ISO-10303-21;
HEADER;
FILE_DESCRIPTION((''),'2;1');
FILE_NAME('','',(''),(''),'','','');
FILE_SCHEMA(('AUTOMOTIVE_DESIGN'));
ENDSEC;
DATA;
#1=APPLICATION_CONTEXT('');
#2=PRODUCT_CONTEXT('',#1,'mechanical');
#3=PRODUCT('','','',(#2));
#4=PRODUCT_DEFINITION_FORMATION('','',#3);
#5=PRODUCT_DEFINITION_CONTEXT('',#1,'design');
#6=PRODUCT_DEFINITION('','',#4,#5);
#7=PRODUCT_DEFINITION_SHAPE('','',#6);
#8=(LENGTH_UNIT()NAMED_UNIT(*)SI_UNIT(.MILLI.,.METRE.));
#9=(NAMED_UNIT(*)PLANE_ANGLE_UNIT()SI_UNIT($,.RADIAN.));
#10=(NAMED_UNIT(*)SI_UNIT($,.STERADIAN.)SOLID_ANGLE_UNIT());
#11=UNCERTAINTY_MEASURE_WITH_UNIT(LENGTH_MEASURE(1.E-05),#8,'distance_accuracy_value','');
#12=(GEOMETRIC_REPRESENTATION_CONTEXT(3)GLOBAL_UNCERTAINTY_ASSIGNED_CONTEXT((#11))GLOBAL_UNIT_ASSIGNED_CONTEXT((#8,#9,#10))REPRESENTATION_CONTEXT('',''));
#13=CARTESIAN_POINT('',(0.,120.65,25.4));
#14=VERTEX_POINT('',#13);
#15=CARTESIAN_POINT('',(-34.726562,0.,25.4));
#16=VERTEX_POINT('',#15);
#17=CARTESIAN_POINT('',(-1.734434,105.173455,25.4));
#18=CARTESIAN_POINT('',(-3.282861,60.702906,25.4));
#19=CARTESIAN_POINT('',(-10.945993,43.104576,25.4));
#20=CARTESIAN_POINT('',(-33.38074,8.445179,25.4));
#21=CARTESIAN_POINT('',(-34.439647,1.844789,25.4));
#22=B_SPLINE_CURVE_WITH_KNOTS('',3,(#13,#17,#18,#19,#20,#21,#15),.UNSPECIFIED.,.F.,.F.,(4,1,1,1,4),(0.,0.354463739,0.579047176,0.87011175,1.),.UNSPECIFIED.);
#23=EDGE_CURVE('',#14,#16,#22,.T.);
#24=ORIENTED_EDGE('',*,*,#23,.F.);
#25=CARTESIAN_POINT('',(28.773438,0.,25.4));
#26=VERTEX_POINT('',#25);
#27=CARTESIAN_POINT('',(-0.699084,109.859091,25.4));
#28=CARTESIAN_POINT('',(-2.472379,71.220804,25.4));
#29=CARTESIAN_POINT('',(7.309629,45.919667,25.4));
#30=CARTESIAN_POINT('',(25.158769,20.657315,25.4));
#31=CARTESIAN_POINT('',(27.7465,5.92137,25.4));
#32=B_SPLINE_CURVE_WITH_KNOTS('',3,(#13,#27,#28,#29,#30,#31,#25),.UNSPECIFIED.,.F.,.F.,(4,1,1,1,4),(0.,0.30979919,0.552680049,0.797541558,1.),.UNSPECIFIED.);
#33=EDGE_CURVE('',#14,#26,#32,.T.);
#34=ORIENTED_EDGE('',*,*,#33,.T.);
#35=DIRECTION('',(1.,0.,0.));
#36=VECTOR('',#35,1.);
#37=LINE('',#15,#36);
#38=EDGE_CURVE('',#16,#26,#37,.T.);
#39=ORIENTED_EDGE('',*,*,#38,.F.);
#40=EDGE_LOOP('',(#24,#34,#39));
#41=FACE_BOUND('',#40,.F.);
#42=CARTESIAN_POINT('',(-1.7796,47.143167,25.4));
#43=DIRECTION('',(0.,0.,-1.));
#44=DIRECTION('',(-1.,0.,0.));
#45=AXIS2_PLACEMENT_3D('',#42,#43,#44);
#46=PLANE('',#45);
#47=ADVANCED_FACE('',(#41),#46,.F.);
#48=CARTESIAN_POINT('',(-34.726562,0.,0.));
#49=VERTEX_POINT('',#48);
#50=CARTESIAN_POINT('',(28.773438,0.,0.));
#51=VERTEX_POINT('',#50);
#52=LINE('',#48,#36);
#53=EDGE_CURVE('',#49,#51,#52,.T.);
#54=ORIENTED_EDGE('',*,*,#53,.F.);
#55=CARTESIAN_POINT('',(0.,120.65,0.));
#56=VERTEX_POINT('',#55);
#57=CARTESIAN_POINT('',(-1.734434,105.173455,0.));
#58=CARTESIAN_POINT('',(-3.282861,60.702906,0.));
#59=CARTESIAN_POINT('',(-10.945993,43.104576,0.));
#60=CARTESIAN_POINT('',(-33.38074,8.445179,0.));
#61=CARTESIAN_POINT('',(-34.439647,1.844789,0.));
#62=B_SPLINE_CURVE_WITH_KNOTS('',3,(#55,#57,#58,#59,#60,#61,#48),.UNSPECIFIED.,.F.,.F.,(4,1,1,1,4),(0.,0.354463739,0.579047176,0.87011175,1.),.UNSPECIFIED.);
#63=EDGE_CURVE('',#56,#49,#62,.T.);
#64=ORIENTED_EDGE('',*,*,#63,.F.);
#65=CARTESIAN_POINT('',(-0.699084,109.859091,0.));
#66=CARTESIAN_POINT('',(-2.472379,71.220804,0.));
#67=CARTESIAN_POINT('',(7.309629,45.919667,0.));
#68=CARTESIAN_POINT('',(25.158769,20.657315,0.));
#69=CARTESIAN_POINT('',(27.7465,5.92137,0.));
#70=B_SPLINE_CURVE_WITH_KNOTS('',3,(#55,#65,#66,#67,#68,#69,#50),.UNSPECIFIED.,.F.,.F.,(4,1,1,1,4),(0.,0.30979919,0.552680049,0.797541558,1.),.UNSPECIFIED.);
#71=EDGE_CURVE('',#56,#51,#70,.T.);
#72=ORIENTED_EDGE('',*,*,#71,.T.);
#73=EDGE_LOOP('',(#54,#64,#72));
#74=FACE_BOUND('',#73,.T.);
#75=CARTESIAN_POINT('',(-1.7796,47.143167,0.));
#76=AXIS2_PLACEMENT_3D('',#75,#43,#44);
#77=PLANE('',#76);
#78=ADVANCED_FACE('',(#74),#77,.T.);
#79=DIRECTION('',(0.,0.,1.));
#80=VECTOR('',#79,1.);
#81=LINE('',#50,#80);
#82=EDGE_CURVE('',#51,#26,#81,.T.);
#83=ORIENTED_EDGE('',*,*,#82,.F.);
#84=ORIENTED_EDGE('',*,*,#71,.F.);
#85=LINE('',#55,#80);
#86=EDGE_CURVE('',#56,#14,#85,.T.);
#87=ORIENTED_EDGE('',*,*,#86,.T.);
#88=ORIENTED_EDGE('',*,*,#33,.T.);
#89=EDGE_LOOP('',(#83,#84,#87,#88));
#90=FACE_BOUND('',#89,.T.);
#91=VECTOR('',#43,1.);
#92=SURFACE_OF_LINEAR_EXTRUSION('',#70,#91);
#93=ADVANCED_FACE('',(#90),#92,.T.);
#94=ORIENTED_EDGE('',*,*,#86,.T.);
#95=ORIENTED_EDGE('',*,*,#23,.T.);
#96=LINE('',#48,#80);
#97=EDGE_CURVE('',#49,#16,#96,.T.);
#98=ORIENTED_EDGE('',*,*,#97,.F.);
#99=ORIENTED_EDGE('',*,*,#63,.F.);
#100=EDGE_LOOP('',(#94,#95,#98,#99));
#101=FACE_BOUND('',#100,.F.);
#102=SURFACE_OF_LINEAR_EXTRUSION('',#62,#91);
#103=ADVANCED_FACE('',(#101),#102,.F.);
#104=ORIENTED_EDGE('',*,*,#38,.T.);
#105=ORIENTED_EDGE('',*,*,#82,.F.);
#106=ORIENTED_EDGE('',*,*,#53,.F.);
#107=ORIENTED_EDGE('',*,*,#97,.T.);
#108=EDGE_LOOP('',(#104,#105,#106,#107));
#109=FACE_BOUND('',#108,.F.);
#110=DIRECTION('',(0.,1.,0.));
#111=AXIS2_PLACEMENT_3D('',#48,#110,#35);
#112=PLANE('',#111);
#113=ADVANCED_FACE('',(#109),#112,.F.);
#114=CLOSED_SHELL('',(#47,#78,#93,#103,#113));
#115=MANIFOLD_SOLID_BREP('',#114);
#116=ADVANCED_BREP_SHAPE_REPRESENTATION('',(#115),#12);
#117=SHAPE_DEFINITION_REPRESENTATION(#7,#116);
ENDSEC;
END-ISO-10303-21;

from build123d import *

# Parameters (mm, degrees)
F1_DEPTH = 25.4


with BuildPart() as f1:
    # F0 (on Top) → F1 (new body)
    with BuildSketch(Plane.XY):
        with BuildLine():
            add(Edge.make_bspline(
                [(0, 120.65), (-0.6990841377, 109.859090752), (-2.4723789951, 71.2208044922), (7.3096290179, 45.9196668373), (25.15876895, 20.6573149279), (27.746499584, 5.9213700542), (28.773438115, 0)],
                knots=[0, 0, 0, 0, 0.3097991905, 0.5526800492, 0.7975415578, 1, 1, 1, 1], degree=3))
            add(Edge.make_bspline(
                [(0, 120.65), (-1.7344344411, 105.1734553785), (-3.2828607242, 60.7029060839), (-10.9459932552, 43.1045762424), (-33.3807399756, 8.4451787615), (-34.4396469695, 1.8447885138), (-34.726561885, 0)],
                knots=[0, 0, 0, 0, 0.3544637388, 0.5790471764, 0.8701117498, 1, 1, 1, 1], degree=3))
            Line((-34.726561885, 0), (28.773438115, 0))
        make_face()
    extrude(amount=F1_DEPTH)


solid = f1.part
